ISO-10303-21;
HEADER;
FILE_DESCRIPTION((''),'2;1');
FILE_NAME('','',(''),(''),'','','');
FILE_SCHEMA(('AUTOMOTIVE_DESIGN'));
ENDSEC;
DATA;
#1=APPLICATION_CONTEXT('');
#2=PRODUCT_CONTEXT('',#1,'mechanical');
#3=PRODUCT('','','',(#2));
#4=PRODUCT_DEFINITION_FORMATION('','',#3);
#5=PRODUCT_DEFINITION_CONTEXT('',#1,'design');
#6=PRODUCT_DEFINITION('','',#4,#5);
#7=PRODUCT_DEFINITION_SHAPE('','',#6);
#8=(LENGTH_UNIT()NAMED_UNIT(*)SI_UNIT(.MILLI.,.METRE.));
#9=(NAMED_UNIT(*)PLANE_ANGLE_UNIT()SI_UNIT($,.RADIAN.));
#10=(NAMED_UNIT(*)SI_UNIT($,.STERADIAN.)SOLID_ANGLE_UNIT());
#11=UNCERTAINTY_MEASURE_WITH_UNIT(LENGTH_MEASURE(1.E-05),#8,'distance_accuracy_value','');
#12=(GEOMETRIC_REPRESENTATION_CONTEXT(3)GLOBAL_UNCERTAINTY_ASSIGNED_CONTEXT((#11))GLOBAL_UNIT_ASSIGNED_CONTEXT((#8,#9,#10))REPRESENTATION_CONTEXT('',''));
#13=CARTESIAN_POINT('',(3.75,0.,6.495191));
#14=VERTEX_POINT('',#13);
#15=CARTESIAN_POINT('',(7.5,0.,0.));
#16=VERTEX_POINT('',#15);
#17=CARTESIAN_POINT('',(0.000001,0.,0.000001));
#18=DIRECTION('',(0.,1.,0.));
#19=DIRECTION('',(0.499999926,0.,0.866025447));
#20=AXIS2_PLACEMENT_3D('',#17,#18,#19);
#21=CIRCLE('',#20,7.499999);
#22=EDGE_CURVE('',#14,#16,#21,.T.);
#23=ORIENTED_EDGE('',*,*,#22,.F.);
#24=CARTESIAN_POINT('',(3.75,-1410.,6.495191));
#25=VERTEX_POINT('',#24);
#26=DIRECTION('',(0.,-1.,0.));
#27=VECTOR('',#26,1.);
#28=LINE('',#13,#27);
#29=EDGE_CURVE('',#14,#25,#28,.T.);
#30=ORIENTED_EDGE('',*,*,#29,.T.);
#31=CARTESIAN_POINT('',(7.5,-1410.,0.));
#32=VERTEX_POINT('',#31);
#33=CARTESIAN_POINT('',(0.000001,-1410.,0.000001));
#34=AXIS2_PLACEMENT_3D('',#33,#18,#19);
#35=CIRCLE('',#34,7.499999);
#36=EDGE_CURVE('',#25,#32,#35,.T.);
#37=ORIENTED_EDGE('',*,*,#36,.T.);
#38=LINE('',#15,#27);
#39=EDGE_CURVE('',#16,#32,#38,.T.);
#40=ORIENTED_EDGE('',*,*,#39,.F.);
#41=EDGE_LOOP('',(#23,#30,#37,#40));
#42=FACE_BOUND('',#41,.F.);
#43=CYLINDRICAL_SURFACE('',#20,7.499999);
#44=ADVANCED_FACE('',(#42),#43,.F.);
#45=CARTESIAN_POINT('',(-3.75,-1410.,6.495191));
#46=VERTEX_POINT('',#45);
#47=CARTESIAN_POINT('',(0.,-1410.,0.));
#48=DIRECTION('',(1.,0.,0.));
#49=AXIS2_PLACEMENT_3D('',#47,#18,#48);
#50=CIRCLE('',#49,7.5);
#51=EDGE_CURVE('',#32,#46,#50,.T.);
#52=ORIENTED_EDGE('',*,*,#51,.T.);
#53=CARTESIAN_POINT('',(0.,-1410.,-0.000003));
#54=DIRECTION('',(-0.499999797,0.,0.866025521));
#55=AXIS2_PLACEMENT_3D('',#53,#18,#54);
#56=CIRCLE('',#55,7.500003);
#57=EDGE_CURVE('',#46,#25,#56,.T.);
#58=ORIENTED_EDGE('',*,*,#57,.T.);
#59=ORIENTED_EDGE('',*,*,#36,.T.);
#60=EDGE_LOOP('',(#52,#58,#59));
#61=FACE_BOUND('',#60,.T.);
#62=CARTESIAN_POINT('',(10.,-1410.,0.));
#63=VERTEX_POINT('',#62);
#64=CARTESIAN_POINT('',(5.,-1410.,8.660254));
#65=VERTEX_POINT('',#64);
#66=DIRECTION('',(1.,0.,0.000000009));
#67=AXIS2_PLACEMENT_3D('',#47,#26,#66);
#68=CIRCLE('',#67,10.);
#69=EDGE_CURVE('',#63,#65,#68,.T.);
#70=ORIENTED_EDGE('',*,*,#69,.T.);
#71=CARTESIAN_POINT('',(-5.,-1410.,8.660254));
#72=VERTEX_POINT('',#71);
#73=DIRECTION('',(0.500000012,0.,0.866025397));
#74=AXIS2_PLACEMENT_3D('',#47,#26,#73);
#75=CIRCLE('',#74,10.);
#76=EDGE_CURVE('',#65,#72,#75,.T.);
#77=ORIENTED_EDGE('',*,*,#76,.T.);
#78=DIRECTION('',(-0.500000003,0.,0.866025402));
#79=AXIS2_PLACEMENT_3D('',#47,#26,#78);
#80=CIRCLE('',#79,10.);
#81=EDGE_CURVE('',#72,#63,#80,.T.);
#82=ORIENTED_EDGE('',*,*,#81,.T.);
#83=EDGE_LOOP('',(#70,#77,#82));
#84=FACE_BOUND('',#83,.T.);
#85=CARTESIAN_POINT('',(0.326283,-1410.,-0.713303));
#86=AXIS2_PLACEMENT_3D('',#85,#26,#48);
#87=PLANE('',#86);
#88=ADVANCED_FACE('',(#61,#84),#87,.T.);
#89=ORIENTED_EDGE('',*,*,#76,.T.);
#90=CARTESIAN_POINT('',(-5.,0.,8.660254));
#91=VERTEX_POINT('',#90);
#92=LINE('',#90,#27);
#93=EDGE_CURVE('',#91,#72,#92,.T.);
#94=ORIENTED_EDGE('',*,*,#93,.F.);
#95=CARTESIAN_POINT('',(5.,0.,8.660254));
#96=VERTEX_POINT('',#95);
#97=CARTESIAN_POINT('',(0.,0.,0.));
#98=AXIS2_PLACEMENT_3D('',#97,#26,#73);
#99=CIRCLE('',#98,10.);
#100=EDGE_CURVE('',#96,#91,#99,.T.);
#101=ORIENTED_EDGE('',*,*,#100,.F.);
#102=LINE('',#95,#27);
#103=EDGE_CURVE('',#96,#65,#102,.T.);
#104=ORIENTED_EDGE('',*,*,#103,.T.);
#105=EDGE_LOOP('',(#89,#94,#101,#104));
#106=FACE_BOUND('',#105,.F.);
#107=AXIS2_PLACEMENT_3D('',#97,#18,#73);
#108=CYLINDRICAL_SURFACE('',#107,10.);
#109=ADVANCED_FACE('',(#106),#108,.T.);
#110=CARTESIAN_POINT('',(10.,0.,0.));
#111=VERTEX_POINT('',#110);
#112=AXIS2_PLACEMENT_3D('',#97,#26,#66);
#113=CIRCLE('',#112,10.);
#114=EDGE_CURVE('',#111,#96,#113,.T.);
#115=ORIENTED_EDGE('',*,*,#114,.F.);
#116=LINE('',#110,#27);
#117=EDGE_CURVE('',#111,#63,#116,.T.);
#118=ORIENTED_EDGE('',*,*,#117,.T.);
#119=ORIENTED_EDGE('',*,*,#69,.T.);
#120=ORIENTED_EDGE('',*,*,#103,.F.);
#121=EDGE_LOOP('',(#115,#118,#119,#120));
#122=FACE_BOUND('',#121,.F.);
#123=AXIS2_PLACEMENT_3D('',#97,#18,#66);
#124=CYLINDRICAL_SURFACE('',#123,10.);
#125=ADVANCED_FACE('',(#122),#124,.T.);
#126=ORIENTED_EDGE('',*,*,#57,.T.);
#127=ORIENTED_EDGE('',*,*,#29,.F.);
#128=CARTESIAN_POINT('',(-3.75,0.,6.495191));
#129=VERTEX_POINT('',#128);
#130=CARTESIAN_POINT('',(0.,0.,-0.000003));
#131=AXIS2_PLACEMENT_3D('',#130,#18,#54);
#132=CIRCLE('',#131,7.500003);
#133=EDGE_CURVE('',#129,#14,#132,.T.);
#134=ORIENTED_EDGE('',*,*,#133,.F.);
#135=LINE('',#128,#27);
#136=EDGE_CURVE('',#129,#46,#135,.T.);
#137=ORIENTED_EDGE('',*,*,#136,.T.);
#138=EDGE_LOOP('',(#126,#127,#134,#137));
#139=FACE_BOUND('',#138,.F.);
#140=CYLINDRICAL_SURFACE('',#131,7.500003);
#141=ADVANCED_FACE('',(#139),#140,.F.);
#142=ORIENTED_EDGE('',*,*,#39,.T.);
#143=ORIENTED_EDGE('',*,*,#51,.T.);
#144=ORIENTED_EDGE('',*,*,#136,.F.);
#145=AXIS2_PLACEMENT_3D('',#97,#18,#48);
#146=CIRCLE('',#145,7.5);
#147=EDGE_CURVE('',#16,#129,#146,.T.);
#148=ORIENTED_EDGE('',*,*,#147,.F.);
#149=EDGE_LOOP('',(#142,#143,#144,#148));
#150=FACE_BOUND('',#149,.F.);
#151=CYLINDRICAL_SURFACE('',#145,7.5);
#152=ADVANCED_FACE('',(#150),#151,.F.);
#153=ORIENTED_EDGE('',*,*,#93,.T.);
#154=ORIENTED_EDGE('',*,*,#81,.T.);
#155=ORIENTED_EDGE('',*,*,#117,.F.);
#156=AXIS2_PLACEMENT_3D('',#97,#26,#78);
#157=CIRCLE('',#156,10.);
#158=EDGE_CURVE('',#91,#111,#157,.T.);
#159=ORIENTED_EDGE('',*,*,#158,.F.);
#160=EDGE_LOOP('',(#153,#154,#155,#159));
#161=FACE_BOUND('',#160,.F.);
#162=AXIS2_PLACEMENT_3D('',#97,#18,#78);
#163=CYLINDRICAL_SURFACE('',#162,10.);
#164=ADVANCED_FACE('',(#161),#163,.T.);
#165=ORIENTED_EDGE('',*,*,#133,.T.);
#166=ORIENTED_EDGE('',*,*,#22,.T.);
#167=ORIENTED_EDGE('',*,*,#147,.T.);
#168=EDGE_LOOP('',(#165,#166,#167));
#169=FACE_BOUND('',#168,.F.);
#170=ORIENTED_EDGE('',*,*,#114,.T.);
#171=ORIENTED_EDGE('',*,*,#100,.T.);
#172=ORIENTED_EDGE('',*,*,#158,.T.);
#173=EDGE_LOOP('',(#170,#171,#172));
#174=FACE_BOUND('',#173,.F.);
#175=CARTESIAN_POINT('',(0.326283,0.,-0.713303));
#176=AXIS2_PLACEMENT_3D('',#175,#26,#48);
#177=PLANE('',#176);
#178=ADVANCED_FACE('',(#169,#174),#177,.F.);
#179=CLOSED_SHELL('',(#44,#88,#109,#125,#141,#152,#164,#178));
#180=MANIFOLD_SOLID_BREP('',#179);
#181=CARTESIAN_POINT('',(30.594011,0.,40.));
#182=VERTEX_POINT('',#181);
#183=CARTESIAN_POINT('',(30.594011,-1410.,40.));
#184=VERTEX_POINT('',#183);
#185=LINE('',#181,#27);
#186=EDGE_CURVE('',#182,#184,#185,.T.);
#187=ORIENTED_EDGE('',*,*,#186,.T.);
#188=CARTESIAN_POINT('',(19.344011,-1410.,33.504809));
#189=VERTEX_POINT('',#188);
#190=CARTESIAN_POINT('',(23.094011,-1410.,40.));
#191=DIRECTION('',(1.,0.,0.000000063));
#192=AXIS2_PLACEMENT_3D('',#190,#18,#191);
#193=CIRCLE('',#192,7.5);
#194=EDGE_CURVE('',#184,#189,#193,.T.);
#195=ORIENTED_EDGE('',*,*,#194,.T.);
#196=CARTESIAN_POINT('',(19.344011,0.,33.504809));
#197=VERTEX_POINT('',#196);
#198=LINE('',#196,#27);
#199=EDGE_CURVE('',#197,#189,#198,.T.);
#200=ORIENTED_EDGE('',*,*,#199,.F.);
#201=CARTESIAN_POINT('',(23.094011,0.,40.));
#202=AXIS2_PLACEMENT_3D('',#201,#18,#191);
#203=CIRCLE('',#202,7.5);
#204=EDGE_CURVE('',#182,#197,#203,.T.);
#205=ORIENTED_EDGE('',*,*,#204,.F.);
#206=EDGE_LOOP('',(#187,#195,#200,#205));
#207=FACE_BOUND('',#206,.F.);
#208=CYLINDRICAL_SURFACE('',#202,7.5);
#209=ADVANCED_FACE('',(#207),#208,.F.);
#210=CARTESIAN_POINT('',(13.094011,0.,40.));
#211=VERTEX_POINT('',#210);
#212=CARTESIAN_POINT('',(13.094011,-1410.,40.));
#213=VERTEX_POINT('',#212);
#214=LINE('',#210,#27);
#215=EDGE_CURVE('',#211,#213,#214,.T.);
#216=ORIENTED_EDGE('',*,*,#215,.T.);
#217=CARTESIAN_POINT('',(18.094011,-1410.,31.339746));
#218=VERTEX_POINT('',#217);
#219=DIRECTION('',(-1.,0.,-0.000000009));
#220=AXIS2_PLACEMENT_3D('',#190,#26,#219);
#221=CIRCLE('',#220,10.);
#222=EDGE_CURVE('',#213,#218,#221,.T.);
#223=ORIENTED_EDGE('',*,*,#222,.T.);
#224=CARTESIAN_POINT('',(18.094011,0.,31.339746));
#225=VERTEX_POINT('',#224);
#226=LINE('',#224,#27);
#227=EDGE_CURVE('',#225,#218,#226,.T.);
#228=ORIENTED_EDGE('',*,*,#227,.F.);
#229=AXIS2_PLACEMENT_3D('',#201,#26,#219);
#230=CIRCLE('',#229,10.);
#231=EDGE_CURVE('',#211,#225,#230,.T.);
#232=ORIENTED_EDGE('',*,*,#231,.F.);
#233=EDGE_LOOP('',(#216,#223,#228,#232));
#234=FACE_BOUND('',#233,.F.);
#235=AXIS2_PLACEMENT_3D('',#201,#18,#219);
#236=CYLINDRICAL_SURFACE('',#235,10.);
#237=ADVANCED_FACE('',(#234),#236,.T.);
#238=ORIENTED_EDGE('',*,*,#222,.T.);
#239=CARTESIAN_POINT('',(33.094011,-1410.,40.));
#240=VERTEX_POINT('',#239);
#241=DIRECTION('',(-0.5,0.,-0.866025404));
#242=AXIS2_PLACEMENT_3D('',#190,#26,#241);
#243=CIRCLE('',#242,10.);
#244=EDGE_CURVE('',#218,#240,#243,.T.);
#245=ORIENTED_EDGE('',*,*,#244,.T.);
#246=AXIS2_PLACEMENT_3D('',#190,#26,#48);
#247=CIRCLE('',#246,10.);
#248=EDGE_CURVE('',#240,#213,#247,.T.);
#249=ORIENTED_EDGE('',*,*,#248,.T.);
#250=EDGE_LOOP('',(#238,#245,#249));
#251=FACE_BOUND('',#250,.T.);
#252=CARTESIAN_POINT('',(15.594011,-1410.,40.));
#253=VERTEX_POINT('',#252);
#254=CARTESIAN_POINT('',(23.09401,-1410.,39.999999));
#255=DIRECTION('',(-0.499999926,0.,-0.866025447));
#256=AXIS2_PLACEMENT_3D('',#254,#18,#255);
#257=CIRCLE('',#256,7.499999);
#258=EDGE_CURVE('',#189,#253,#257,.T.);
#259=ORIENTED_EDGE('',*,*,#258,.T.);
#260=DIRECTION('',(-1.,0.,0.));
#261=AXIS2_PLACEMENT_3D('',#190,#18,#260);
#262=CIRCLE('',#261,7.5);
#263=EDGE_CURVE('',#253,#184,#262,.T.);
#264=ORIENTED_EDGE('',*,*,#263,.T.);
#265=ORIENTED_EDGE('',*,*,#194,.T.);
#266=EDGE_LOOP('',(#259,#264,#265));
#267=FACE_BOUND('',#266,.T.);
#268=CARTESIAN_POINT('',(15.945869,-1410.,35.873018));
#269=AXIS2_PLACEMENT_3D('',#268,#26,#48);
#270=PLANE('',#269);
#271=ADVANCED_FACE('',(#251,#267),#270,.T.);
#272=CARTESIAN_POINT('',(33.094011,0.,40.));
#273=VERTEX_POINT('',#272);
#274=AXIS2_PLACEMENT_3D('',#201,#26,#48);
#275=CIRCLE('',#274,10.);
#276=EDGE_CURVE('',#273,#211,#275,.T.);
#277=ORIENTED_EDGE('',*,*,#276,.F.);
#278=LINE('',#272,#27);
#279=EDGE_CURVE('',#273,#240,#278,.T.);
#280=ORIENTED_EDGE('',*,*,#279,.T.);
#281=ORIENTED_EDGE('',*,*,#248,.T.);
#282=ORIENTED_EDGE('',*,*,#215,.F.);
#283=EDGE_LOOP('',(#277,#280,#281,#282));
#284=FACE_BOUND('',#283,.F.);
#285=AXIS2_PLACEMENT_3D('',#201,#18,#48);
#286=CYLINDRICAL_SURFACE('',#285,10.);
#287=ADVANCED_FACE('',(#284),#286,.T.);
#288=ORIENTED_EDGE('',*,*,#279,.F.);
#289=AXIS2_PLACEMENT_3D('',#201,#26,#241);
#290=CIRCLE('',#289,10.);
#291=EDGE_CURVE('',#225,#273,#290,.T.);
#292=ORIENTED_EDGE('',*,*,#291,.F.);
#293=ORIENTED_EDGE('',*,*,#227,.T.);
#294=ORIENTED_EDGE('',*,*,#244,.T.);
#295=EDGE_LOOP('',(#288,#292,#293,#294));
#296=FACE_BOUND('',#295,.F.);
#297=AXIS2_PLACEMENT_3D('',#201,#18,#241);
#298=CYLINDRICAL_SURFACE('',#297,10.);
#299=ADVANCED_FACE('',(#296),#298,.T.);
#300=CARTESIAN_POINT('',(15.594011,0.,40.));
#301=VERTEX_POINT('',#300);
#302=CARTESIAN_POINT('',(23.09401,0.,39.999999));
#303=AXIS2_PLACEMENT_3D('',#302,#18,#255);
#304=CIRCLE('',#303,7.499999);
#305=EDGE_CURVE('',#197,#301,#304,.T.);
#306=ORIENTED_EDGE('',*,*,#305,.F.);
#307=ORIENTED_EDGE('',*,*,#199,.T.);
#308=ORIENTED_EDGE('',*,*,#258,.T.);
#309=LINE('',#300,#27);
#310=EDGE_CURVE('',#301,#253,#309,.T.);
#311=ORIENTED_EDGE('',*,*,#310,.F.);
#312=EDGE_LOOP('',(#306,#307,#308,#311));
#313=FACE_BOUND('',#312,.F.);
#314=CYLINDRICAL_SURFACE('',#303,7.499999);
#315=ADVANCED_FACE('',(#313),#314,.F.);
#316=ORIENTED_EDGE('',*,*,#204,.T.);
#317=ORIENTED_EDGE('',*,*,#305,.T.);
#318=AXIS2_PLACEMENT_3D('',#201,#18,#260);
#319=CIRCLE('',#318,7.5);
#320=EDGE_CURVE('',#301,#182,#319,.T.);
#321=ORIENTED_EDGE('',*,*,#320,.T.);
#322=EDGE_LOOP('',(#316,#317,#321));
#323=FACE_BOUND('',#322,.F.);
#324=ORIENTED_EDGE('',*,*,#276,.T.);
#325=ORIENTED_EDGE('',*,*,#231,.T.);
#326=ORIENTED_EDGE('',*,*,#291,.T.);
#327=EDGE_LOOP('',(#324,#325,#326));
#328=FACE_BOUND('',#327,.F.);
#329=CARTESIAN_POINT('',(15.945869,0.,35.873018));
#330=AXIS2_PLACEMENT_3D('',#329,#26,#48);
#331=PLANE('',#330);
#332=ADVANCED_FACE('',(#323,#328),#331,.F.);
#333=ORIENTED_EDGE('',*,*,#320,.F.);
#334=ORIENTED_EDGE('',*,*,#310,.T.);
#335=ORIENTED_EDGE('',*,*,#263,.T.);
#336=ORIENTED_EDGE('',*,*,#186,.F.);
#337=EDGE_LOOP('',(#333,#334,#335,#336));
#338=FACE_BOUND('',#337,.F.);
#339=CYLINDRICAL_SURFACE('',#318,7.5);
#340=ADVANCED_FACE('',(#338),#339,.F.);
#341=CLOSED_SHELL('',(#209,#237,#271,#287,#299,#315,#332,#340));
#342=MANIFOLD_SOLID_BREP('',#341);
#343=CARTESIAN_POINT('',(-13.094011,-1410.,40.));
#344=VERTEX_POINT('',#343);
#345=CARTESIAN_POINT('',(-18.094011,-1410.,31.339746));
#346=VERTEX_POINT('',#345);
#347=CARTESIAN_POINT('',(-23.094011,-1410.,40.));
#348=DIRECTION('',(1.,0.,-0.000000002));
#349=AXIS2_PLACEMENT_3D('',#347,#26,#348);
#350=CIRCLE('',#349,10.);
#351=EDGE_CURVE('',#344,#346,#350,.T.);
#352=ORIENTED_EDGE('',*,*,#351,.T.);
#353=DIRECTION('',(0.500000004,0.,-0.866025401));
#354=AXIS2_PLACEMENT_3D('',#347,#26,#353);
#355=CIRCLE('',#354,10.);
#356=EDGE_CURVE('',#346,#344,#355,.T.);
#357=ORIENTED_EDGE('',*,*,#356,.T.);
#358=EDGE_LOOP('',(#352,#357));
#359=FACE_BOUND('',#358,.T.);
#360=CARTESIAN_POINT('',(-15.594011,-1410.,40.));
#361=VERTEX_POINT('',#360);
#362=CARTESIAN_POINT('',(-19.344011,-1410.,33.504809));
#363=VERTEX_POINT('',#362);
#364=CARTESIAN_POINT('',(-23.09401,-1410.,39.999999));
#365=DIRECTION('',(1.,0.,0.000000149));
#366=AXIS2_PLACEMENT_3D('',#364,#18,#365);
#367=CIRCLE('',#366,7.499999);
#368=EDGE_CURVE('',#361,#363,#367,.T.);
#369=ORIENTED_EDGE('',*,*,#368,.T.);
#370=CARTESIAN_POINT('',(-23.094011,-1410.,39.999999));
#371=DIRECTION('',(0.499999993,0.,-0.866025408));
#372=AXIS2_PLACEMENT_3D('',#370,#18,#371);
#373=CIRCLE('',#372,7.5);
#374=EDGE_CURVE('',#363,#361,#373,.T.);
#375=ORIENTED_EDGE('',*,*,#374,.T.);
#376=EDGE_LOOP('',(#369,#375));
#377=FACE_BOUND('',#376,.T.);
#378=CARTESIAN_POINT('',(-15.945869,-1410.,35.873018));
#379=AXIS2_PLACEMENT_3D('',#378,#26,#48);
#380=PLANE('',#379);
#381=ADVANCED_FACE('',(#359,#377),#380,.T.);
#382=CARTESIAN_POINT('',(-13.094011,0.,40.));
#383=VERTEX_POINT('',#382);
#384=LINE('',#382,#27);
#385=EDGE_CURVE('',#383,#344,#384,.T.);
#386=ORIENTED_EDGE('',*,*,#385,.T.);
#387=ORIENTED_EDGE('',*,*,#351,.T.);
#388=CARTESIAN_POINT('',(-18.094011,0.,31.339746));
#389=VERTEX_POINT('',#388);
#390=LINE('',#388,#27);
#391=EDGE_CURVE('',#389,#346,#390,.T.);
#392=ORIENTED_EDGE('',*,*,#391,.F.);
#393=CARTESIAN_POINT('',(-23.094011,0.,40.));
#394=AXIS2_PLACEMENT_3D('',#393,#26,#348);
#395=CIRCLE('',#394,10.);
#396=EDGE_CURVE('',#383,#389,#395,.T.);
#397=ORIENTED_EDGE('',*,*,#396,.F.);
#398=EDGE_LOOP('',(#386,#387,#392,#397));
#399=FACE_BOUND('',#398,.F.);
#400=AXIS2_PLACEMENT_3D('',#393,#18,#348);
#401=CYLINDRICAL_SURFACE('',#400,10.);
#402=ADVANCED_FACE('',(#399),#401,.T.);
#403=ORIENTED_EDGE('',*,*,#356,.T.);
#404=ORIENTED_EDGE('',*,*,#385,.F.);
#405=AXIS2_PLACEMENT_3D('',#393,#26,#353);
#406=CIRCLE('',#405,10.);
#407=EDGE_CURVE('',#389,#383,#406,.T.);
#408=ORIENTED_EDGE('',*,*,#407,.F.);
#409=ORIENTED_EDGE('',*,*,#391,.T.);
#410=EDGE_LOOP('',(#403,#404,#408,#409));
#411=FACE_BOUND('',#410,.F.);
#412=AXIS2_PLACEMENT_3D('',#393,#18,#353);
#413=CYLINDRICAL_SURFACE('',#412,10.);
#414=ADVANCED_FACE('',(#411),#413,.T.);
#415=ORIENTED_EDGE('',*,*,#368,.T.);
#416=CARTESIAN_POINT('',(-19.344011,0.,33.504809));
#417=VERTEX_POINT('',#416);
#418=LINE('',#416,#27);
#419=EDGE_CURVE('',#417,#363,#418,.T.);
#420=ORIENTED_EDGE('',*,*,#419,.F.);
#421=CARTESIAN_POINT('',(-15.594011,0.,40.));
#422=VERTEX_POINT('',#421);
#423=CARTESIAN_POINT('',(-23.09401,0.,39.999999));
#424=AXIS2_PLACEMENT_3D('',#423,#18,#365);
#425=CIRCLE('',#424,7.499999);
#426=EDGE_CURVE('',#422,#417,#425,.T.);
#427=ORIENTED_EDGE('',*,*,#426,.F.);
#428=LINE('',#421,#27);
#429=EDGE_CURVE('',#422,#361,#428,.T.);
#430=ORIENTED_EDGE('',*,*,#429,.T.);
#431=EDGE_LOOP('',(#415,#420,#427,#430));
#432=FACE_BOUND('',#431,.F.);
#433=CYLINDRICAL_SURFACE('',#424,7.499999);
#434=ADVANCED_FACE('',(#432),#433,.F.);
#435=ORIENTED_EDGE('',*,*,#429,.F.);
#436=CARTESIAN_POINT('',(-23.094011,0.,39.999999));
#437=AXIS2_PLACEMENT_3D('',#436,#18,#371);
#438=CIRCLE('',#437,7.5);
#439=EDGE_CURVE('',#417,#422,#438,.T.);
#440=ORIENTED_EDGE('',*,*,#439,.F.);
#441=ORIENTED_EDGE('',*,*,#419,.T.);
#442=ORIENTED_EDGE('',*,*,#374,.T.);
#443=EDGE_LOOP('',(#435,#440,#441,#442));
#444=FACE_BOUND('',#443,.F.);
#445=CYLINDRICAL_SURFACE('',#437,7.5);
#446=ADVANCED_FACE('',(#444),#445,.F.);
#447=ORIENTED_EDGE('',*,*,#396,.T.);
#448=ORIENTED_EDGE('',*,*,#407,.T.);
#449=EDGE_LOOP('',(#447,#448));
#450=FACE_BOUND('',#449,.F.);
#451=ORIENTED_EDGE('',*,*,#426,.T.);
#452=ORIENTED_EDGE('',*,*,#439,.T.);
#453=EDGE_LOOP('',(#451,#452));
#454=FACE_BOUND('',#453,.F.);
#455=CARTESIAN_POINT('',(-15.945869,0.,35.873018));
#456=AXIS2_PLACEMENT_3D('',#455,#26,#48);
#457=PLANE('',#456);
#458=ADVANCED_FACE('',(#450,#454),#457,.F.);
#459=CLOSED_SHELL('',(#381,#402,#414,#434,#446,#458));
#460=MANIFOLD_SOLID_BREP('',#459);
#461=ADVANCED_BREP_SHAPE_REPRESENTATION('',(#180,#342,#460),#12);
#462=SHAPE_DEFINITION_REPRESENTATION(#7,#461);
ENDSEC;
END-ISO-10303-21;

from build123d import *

# Parameters (mm, degrees)
F1_DEPTH = 1410


with BuildPart() as f1:
    # F0 (on Front) → F1 (new body)
    with BuildSketch(Plane.XZ):
        with BuildLine():
            Line((-19.344011, 33.504809), (-18.094011, 31.339746))
            ThreePointArc((-18.094011, 31.339746), (-14.433757, 35), (-13.094011, 40))
            Line((-13.094011, 40), (-15.594011, 40))
            ThreePointArc((-15.594011, 40), (-16.59882, 36.25), (-19.344011, 33.504809))
        make_face()
        with BuildLine():
            ThreePointArc((-13.094011, 40), (-31.754265, 45), (-18.094011, 31.339746))
            Line((-18.094011, 31.339746), (-19.344011, 33.504809))
            ThreePointArc((-19.344011, 33.504809), (-29.589201, 43.75), (-15.594011, 40))
            Line((-15.594011, 40), (-13.094011, 40))
        make_face()
        with BuildLine():
            ThreePointArc((13.094011, 40), (14.433757, 35), (18.094011, 31.339746))
            Line((18.094011, 31.339746), (19.344011, 33.504809))
            ThreePointArc((19.344011, 33.504809), (16.59882, 36.25), (15.594011, 40))
            Line((15.594011, 40), (13.094011, 40))
        make_face()
        with BuildLine():
            Line((19.344011, 33.504809), (18.094011, 31.339746))
            ThreePointArc((18.094011, 31.339746), (28.094011, 31.339746), (33.094011, 40))
            ThreePointArc((33.094011, 40), (23.094011, 50), (13.094011, 40))
            Line((13.094011, 40), (15.594011, 40))
            ThreePointArc((15.594011, 40), (23.094011, 47.5), (30.594011, 40))
            ThreePointArc((30.594011, 40), (26.844011, 33.504809), (19.344011, 33.504809))
        make_face()
        with BuildLine():
            ThreePointArc((-5, 8.660254), (-5, -8.660254), (10, 0))
            ThreePointArc((10, 0), (8.660254, 5), (5, 8.660254))
            Line((5, 8.660254), (3.75, 6.495191))
            ThreePointArc((3.75, 6.495191), (6.495191, 3.75), (7.5, 0))
            ThreePointArc((7.5, 0), (-3.75, -6.495191), (-3.75, 6.495191))
            Line((-3.75, 6.495191), (-5, 8.660254))
        make_face()
        with BuildLine():
            Line((3.75, 6.495191), (5, 8.660254))
            ThreePointArc((5, 8.660254), (0, 10), (-5, 8.660254))
            Line((-5, 8.660254), (-3.75, 6.495191))
            ThreePointArc((-3.75, 6.495191), (0, 7.5), (3.75, 6.495191))
        make_face()
    extrude(amount=F1_DEPTH)


solid = f1.part
